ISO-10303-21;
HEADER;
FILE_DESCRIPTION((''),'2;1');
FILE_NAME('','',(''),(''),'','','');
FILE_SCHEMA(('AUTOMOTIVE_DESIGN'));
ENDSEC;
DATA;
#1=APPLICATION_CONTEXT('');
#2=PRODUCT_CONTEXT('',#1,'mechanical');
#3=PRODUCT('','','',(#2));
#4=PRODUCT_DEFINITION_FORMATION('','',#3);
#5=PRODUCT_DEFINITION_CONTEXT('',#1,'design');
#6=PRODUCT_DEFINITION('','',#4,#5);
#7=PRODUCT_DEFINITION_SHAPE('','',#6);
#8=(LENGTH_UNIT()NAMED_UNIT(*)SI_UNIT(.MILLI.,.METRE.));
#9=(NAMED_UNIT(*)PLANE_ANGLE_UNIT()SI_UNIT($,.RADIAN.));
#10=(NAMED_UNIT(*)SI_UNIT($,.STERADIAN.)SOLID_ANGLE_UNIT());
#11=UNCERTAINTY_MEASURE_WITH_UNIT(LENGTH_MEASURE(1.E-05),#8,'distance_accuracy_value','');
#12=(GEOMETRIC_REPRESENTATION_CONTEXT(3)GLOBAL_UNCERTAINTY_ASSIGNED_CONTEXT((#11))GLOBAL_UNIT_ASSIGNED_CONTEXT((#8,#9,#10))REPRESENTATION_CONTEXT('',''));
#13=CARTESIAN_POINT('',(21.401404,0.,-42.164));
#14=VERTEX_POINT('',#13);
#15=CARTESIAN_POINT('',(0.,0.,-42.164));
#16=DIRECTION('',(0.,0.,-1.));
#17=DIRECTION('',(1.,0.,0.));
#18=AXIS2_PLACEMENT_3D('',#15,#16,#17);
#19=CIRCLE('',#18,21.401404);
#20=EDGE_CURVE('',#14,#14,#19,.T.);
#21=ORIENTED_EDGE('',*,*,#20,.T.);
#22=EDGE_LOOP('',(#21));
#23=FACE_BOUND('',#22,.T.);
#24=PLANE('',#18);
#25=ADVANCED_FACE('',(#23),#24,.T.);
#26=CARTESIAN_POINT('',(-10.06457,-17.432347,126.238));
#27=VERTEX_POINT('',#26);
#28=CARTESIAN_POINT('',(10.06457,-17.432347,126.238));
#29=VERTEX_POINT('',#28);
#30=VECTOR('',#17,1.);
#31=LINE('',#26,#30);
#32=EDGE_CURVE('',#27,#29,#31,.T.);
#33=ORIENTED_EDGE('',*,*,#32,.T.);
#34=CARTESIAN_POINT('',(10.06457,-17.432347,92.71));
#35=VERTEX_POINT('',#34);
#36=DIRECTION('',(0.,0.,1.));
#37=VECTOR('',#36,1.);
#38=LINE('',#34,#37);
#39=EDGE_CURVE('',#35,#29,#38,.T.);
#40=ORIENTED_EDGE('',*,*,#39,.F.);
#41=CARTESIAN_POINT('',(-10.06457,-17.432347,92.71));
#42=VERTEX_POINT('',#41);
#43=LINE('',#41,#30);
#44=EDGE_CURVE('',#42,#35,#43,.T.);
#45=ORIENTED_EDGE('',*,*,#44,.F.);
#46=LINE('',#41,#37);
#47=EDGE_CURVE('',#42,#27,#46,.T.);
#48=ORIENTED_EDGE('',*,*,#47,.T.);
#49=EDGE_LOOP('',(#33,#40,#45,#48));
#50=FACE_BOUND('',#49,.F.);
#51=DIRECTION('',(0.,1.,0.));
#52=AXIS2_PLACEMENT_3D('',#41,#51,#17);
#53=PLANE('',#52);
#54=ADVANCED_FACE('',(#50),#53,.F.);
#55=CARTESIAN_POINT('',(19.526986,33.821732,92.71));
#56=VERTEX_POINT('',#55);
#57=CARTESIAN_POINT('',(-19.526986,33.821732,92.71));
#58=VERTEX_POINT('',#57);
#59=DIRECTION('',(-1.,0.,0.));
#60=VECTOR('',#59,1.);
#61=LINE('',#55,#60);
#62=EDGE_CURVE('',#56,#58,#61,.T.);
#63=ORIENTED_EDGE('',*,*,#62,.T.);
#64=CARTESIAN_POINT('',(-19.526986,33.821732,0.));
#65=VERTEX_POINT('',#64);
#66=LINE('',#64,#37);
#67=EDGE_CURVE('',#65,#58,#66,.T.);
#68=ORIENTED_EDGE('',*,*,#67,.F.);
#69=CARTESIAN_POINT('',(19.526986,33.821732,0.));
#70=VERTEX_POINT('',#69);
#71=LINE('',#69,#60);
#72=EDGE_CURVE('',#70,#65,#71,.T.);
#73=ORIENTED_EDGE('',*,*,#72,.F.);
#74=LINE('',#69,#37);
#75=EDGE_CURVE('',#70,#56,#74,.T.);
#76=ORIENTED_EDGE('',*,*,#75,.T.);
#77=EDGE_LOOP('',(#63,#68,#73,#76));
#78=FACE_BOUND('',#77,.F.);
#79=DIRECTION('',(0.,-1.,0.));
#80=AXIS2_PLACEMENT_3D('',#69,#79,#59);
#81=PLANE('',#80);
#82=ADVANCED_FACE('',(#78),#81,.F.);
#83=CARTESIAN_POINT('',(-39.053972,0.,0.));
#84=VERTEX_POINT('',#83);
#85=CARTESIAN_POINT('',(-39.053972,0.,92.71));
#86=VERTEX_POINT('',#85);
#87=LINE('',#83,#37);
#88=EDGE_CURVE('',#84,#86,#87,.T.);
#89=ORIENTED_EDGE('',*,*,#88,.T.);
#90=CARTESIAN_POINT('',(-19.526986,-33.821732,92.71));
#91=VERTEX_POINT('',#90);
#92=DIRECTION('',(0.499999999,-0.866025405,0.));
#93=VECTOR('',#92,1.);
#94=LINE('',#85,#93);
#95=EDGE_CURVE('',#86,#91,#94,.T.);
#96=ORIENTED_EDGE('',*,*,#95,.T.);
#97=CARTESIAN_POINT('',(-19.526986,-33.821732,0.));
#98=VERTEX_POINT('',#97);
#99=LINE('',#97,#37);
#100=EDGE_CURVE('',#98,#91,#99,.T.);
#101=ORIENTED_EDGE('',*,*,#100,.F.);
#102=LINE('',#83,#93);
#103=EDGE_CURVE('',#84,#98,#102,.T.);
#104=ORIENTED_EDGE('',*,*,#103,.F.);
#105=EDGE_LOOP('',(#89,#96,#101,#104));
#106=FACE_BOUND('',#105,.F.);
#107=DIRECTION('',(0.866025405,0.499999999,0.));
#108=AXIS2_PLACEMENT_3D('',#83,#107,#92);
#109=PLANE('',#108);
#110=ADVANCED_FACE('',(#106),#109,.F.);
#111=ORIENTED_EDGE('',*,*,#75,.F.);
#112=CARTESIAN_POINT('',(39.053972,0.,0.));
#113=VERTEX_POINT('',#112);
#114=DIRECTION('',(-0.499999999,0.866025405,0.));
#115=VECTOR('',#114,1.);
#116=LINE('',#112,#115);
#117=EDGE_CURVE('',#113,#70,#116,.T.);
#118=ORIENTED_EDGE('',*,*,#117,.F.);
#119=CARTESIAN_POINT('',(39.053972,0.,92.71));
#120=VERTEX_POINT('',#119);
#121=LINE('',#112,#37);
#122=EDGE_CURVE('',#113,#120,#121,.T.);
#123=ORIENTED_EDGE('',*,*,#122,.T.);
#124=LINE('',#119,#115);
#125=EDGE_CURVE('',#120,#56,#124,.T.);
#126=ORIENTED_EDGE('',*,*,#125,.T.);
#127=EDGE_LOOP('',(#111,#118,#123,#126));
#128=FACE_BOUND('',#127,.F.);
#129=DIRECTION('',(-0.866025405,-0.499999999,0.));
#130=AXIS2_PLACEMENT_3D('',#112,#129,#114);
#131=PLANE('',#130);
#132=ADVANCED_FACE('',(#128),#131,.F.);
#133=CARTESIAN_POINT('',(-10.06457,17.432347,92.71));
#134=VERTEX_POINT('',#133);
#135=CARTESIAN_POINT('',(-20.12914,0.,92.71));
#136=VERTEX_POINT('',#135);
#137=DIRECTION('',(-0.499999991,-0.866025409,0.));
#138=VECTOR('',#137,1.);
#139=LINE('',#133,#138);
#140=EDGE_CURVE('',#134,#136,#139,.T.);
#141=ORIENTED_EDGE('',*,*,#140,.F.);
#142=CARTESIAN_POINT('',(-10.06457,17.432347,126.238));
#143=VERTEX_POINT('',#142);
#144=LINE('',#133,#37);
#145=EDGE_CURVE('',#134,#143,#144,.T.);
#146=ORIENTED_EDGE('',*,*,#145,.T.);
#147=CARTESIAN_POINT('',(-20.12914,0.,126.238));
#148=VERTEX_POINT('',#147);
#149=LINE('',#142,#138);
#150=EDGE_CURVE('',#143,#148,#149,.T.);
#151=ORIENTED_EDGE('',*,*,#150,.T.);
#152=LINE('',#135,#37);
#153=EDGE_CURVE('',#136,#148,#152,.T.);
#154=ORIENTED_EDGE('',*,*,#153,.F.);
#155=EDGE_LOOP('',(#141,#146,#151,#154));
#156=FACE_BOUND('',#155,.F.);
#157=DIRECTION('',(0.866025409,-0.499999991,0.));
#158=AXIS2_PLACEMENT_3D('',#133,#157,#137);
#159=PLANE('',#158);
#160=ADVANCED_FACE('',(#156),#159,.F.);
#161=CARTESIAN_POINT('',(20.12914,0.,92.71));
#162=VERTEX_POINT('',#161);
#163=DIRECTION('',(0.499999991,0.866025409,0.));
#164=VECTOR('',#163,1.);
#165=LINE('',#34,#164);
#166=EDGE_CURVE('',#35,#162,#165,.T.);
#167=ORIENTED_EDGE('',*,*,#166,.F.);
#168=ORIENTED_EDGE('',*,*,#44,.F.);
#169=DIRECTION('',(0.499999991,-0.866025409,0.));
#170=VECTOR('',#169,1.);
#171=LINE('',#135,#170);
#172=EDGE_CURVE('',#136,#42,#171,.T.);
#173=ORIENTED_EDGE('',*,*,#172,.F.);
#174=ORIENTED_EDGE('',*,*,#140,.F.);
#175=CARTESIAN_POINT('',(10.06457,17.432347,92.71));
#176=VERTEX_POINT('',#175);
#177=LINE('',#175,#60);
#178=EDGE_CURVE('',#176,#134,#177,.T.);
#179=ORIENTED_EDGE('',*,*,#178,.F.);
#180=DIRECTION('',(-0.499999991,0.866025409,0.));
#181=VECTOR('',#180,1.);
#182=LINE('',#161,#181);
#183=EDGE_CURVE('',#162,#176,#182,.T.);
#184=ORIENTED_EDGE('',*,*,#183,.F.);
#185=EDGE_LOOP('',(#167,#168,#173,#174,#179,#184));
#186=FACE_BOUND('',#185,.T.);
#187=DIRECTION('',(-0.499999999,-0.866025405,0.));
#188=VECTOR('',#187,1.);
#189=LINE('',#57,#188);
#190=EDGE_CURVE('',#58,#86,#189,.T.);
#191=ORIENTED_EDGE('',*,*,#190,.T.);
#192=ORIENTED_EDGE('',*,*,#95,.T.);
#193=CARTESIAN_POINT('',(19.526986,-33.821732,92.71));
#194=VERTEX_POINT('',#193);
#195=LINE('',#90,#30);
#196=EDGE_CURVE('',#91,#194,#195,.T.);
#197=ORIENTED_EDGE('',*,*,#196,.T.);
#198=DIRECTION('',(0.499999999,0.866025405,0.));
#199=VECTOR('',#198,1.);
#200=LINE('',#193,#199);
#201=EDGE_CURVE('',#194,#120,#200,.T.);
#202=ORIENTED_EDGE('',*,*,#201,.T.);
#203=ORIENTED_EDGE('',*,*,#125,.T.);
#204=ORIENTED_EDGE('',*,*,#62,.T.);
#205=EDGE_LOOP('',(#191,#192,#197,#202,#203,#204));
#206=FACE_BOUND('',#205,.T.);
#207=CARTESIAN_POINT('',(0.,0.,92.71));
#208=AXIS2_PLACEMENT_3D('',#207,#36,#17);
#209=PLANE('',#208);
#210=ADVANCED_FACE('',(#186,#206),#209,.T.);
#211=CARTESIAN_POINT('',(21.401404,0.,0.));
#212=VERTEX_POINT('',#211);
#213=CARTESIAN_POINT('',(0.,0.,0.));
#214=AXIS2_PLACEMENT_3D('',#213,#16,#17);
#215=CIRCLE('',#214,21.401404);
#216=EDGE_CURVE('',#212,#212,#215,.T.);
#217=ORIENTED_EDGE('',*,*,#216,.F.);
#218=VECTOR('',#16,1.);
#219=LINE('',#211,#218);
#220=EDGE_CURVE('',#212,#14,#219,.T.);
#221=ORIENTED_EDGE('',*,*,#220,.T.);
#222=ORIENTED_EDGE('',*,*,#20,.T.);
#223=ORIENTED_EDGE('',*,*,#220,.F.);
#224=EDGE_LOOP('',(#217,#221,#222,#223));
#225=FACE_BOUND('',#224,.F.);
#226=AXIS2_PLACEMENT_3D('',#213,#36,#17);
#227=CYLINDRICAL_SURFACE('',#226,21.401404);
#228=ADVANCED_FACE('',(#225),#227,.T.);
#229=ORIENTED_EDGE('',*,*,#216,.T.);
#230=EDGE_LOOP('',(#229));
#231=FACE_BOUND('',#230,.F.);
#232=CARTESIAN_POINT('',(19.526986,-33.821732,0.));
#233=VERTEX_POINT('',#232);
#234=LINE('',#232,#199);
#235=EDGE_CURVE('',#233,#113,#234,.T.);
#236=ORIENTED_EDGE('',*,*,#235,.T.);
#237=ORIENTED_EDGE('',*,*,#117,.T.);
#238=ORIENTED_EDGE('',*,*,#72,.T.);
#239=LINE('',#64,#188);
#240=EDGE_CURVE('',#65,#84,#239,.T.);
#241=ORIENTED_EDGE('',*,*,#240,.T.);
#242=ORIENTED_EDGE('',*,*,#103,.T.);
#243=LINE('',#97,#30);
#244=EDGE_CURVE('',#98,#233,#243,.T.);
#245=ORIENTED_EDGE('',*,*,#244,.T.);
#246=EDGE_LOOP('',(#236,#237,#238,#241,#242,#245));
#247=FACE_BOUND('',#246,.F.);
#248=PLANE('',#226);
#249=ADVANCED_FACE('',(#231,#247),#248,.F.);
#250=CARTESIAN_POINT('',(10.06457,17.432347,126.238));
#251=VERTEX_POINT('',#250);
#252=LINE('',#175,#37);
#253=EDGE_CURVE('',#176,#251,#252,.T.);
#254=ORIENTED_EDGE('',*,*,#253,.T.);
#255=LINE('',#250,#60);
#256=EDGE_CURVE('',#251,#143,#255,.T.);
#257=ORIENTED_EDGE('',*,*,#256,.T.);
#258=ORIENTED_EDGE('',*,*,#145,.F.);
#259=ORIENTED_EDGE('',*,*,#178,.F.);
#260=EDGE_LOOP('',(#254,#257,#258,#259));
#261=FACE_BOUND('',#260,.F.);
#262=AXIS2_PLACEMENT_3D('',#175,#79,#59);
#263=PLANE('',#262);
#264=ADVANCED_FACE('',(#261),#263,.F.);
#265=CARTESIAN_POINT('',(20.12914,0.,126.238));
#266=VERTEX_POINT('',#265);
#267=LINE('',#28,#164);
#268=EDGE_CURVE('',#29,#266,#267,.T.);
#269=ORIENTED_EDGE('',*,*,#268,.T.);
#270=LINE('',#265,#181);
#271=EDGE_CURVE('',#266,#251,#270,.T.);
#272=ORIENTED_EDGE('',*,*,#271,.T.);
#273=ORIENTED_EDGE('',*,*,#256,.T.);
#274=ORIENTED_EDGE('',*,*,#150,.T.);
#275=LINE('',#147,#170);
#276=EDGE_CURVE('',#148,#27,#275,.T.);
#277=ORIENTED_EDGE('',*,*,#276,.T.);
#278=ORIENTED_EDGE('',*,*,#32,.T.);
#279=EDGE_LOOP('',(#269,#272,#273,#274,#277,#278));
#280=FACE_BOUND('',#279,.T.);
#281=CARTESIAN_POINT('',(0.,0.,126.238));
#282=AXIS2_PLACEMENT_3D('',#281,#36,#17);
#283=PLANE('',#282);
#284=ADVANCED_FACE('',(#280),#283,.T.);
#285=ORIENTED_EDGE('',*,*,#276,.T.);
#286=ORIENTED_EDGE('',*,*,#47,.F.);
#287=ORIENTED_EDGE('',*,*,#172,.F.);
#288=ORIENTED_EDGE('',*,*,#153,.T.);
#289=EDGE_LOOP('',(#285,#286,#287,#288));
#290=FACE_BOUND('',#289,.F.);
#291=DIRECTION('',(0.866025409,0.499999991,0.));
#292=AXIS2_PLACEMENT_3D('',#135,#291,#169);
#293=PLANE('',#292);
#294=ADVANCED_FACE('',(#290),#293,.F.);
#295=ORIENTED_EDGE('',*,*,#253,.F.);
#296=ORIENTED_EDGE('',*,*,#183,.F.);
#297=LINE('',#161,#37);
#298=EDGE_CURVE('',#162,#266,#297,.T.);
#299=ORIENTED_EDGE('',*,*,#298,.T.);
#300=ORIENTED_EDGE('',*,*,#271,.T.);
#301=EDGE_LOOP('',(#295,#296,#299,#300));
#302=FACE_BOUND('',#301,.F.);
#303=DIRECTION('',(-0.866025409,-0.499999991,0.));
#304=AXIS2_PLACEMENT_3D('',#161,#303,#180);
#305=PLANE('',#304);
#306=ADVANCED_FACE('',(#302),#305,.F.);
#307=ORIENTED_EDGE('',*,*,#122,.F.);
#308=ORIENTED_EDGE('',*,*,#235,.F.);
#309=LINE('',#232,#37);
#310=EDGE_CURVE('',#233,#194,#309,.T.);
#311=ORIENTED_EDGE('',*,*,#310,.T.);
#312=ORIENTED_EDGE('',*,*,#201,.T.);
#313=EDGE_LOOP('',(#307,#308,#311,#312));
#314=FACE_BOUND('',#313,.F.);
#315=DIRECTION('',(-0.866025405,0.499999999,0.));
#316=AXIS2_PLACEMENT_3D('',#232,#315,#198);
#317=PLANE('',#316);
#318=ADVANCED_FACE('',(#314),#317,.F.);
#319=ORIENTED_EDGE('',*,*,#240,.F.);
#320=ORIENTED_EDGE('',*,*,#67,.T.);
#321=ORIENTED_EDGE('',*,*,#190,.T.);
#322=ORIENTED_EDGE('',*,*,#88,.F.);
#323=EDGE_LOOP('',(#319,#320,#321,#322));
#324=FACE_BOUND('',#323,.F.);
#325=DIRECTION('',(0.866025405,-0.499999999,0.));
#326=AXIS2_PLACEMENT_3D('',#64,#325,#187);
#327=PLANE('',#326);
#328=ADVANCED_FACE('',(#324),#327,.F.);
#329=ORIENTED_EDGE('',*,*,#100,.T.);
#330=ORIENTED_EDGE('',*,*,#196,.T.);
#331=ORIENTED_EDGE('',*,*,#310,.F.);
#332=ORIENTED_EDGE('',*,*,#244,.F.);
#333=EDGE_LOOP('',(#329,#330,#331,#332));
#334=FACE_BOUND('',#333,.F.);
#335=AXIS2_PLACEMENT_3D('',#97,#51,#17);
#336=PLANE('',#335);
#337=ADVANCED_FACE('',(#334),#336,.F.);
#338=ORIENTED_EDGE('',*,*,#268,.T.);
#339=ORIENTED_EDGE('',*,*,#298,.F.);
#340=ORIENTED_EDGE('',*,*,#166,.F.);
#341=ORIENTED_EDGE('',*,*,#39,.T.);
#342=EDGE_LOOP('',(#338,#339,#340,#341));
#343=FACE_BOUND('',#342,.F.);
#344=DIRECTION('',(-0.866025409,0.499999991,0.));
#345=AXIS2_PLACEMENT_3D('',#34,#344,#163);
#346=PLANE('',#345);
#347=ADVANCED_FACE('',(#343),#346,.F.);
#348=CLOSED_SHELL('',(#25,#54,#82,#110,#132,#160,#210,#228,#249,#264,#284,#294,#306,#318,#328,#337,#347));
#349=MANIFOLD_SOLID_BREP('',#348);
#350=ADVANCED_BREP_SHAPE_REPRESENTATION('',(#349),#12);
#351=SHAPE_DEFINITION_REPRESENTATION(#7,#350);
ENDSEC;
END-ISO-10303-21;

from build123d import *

# Parameters (mm, degrees)
F1_DEPTH = 92.71
F3_DEPTH = 33.528
F4_R     = 21.401404
F5_DEPTH = 42.164


with BuildPart() as f1:
    # F0 (on Top) → F1 (new body)
    with BuildSketch(Plane.XY):
        Polygon((19.526986, 33.821732), (-19.526986, 33.821732), (-39.053972, 0), (-19.526986, -33.821732), (19.526986, -33.821732), (39.053972, 0), align=None)
    extrude(amount=F1_DEPTH)

    # F2 (on face) → F3 (join)
    with BuildSketch(Plane.XY.offset(92.71)):
        Polygon((10.06457, 17.432347), (-10.06457, 17.432347), (-20.12914, 0), (-10.06457, -17.432347), (10.06457, -17.432347), (20.12914, 0), align=None)
    extrude(amount=F3_DEPTH)

    # F4 (on face) → F5 (join)
    with BuildSketch(Plane(origin=(0, 0, 0), x_dir=(1, 0, 0), z_dir=(0, 0, -1))):
        Circle(F4_R)
    extrude(amount=F5_DEPTH)


solid = f1.part
